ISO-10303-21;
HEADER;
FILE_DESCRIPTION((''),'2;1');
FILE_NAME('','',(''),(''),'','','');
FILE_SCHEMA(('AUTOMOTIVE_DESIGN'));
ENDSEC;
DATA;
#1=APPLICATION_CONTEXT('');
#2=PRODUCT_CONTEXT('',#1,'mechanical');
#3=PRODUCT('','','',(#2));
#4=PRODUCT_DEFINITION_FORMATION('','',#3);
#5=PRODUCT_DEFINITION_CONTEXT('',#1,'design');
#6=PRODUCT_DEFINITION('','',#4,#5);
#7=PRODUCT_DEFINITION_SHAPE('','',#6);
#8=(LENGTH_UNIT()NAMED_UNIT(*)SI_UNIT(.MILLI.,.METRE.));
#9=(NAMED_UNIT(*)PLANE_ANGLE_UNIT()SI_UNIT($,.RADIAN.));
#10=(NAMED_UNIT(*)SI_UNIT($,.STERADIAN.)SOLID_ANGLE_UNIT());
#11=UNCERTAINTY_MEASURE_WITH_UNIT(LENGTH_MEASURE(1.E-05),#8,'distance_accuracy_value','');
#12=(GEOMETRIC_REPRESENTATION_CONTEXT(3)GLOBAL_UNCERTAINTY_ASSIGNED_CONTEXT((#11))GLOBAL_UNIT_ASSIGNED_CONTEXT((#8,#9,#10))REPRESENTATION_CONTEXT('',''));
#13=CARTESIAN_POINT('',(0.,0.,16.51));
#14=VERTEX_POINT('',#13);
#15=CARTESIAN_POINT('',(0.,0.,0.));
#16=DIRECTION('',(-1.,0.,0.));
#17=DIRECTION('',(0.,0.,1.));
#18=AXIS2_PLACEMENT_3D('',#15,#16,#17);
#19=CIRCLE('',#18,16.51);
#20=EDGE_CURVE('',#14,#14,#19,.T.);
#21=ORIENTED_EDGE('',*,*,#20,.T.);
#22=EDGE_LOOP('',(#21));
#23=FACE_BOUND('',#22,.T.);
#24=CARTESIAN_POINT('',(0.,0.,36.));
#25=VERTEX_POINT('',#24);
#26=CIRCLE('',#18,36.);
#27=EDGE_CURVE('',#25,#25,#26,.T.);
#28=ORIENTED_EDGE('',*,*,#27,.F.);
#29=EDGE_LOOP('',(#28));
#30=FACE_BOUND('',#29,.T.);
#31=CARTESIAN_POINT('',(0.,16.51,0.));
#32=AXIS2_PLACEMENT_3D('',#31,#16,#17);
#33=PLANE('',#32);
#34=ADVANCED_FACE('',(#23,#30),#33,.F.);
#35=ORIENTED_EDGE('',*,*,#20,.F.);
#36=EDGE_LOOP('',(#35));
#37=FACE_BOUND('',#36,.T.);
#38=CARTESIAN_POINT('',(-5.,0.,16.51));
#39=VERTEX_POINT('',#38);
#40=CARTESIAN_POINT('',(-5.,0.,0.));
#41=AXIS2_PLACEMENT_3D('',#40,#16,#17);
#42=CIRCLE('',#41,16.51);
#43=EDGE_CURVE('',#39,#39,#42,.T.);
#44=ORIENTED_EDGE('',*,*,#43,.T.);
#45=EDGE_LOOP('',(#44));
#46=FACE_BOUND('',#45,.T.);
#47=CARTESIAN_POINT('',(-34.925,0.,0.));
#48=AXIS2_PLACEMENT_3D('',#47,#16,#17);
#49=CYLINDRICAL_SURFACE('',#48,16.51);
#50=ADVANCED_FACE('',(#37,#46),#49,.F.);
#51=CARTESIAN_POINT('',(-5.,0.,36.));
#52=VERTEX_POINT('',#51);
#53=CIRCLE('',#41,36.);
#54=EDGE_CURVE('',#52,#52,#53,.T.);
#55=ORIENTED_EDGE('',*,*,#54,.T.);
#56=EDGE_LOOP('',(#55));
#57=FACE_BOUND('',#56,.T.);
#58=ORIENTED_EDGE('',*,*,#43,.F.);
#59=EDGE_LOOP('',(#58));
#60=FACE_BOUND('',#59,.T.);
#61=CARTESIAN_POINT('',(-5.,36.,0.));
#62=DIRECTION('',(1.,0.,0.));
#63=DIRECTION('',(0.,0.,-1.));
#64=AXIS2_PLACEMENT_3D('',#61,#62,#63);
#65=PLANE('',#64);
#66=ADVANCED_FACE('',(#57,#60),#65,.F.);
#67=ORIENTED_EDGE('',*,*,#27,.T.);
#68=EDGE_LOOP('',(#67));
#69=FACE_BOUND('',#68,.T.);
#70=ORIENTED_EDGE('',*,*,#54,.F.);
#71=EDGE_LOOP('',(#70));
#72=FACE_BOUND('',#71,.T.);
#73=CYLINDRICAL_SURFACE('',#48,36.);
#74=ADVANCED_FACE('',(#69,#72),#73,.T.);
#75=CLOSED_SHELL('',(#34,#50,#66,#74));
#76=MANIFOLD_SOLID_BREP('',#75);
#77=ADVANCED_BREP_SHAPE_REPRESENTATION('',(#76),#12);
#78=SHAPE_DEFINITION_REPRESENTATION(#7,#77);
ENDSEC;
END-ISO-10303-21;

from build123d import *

# Parameters (mm, degrees)
SKETCH1_W = 5
SKETCH1_H = 19.49


with BuildPart() as part:
    # Sketch1 → Base-Revolve (revolve)
    with BuildSketch(Plane.XY, mode=Mode.PRIVATE) as base_revolve_sk:
        with Locations((-2.5, 26.255)):
            Rectangle(SKETCH1_W, SKETCH1_H)
    revolve(base_revolve_sk.sketch.rotate(Axis((-34.925, 0, 0), (1, 0, 0)), 90), axis=Axis((-34.925, 0, 0), (1, 0, 0)))


solid = part.part
